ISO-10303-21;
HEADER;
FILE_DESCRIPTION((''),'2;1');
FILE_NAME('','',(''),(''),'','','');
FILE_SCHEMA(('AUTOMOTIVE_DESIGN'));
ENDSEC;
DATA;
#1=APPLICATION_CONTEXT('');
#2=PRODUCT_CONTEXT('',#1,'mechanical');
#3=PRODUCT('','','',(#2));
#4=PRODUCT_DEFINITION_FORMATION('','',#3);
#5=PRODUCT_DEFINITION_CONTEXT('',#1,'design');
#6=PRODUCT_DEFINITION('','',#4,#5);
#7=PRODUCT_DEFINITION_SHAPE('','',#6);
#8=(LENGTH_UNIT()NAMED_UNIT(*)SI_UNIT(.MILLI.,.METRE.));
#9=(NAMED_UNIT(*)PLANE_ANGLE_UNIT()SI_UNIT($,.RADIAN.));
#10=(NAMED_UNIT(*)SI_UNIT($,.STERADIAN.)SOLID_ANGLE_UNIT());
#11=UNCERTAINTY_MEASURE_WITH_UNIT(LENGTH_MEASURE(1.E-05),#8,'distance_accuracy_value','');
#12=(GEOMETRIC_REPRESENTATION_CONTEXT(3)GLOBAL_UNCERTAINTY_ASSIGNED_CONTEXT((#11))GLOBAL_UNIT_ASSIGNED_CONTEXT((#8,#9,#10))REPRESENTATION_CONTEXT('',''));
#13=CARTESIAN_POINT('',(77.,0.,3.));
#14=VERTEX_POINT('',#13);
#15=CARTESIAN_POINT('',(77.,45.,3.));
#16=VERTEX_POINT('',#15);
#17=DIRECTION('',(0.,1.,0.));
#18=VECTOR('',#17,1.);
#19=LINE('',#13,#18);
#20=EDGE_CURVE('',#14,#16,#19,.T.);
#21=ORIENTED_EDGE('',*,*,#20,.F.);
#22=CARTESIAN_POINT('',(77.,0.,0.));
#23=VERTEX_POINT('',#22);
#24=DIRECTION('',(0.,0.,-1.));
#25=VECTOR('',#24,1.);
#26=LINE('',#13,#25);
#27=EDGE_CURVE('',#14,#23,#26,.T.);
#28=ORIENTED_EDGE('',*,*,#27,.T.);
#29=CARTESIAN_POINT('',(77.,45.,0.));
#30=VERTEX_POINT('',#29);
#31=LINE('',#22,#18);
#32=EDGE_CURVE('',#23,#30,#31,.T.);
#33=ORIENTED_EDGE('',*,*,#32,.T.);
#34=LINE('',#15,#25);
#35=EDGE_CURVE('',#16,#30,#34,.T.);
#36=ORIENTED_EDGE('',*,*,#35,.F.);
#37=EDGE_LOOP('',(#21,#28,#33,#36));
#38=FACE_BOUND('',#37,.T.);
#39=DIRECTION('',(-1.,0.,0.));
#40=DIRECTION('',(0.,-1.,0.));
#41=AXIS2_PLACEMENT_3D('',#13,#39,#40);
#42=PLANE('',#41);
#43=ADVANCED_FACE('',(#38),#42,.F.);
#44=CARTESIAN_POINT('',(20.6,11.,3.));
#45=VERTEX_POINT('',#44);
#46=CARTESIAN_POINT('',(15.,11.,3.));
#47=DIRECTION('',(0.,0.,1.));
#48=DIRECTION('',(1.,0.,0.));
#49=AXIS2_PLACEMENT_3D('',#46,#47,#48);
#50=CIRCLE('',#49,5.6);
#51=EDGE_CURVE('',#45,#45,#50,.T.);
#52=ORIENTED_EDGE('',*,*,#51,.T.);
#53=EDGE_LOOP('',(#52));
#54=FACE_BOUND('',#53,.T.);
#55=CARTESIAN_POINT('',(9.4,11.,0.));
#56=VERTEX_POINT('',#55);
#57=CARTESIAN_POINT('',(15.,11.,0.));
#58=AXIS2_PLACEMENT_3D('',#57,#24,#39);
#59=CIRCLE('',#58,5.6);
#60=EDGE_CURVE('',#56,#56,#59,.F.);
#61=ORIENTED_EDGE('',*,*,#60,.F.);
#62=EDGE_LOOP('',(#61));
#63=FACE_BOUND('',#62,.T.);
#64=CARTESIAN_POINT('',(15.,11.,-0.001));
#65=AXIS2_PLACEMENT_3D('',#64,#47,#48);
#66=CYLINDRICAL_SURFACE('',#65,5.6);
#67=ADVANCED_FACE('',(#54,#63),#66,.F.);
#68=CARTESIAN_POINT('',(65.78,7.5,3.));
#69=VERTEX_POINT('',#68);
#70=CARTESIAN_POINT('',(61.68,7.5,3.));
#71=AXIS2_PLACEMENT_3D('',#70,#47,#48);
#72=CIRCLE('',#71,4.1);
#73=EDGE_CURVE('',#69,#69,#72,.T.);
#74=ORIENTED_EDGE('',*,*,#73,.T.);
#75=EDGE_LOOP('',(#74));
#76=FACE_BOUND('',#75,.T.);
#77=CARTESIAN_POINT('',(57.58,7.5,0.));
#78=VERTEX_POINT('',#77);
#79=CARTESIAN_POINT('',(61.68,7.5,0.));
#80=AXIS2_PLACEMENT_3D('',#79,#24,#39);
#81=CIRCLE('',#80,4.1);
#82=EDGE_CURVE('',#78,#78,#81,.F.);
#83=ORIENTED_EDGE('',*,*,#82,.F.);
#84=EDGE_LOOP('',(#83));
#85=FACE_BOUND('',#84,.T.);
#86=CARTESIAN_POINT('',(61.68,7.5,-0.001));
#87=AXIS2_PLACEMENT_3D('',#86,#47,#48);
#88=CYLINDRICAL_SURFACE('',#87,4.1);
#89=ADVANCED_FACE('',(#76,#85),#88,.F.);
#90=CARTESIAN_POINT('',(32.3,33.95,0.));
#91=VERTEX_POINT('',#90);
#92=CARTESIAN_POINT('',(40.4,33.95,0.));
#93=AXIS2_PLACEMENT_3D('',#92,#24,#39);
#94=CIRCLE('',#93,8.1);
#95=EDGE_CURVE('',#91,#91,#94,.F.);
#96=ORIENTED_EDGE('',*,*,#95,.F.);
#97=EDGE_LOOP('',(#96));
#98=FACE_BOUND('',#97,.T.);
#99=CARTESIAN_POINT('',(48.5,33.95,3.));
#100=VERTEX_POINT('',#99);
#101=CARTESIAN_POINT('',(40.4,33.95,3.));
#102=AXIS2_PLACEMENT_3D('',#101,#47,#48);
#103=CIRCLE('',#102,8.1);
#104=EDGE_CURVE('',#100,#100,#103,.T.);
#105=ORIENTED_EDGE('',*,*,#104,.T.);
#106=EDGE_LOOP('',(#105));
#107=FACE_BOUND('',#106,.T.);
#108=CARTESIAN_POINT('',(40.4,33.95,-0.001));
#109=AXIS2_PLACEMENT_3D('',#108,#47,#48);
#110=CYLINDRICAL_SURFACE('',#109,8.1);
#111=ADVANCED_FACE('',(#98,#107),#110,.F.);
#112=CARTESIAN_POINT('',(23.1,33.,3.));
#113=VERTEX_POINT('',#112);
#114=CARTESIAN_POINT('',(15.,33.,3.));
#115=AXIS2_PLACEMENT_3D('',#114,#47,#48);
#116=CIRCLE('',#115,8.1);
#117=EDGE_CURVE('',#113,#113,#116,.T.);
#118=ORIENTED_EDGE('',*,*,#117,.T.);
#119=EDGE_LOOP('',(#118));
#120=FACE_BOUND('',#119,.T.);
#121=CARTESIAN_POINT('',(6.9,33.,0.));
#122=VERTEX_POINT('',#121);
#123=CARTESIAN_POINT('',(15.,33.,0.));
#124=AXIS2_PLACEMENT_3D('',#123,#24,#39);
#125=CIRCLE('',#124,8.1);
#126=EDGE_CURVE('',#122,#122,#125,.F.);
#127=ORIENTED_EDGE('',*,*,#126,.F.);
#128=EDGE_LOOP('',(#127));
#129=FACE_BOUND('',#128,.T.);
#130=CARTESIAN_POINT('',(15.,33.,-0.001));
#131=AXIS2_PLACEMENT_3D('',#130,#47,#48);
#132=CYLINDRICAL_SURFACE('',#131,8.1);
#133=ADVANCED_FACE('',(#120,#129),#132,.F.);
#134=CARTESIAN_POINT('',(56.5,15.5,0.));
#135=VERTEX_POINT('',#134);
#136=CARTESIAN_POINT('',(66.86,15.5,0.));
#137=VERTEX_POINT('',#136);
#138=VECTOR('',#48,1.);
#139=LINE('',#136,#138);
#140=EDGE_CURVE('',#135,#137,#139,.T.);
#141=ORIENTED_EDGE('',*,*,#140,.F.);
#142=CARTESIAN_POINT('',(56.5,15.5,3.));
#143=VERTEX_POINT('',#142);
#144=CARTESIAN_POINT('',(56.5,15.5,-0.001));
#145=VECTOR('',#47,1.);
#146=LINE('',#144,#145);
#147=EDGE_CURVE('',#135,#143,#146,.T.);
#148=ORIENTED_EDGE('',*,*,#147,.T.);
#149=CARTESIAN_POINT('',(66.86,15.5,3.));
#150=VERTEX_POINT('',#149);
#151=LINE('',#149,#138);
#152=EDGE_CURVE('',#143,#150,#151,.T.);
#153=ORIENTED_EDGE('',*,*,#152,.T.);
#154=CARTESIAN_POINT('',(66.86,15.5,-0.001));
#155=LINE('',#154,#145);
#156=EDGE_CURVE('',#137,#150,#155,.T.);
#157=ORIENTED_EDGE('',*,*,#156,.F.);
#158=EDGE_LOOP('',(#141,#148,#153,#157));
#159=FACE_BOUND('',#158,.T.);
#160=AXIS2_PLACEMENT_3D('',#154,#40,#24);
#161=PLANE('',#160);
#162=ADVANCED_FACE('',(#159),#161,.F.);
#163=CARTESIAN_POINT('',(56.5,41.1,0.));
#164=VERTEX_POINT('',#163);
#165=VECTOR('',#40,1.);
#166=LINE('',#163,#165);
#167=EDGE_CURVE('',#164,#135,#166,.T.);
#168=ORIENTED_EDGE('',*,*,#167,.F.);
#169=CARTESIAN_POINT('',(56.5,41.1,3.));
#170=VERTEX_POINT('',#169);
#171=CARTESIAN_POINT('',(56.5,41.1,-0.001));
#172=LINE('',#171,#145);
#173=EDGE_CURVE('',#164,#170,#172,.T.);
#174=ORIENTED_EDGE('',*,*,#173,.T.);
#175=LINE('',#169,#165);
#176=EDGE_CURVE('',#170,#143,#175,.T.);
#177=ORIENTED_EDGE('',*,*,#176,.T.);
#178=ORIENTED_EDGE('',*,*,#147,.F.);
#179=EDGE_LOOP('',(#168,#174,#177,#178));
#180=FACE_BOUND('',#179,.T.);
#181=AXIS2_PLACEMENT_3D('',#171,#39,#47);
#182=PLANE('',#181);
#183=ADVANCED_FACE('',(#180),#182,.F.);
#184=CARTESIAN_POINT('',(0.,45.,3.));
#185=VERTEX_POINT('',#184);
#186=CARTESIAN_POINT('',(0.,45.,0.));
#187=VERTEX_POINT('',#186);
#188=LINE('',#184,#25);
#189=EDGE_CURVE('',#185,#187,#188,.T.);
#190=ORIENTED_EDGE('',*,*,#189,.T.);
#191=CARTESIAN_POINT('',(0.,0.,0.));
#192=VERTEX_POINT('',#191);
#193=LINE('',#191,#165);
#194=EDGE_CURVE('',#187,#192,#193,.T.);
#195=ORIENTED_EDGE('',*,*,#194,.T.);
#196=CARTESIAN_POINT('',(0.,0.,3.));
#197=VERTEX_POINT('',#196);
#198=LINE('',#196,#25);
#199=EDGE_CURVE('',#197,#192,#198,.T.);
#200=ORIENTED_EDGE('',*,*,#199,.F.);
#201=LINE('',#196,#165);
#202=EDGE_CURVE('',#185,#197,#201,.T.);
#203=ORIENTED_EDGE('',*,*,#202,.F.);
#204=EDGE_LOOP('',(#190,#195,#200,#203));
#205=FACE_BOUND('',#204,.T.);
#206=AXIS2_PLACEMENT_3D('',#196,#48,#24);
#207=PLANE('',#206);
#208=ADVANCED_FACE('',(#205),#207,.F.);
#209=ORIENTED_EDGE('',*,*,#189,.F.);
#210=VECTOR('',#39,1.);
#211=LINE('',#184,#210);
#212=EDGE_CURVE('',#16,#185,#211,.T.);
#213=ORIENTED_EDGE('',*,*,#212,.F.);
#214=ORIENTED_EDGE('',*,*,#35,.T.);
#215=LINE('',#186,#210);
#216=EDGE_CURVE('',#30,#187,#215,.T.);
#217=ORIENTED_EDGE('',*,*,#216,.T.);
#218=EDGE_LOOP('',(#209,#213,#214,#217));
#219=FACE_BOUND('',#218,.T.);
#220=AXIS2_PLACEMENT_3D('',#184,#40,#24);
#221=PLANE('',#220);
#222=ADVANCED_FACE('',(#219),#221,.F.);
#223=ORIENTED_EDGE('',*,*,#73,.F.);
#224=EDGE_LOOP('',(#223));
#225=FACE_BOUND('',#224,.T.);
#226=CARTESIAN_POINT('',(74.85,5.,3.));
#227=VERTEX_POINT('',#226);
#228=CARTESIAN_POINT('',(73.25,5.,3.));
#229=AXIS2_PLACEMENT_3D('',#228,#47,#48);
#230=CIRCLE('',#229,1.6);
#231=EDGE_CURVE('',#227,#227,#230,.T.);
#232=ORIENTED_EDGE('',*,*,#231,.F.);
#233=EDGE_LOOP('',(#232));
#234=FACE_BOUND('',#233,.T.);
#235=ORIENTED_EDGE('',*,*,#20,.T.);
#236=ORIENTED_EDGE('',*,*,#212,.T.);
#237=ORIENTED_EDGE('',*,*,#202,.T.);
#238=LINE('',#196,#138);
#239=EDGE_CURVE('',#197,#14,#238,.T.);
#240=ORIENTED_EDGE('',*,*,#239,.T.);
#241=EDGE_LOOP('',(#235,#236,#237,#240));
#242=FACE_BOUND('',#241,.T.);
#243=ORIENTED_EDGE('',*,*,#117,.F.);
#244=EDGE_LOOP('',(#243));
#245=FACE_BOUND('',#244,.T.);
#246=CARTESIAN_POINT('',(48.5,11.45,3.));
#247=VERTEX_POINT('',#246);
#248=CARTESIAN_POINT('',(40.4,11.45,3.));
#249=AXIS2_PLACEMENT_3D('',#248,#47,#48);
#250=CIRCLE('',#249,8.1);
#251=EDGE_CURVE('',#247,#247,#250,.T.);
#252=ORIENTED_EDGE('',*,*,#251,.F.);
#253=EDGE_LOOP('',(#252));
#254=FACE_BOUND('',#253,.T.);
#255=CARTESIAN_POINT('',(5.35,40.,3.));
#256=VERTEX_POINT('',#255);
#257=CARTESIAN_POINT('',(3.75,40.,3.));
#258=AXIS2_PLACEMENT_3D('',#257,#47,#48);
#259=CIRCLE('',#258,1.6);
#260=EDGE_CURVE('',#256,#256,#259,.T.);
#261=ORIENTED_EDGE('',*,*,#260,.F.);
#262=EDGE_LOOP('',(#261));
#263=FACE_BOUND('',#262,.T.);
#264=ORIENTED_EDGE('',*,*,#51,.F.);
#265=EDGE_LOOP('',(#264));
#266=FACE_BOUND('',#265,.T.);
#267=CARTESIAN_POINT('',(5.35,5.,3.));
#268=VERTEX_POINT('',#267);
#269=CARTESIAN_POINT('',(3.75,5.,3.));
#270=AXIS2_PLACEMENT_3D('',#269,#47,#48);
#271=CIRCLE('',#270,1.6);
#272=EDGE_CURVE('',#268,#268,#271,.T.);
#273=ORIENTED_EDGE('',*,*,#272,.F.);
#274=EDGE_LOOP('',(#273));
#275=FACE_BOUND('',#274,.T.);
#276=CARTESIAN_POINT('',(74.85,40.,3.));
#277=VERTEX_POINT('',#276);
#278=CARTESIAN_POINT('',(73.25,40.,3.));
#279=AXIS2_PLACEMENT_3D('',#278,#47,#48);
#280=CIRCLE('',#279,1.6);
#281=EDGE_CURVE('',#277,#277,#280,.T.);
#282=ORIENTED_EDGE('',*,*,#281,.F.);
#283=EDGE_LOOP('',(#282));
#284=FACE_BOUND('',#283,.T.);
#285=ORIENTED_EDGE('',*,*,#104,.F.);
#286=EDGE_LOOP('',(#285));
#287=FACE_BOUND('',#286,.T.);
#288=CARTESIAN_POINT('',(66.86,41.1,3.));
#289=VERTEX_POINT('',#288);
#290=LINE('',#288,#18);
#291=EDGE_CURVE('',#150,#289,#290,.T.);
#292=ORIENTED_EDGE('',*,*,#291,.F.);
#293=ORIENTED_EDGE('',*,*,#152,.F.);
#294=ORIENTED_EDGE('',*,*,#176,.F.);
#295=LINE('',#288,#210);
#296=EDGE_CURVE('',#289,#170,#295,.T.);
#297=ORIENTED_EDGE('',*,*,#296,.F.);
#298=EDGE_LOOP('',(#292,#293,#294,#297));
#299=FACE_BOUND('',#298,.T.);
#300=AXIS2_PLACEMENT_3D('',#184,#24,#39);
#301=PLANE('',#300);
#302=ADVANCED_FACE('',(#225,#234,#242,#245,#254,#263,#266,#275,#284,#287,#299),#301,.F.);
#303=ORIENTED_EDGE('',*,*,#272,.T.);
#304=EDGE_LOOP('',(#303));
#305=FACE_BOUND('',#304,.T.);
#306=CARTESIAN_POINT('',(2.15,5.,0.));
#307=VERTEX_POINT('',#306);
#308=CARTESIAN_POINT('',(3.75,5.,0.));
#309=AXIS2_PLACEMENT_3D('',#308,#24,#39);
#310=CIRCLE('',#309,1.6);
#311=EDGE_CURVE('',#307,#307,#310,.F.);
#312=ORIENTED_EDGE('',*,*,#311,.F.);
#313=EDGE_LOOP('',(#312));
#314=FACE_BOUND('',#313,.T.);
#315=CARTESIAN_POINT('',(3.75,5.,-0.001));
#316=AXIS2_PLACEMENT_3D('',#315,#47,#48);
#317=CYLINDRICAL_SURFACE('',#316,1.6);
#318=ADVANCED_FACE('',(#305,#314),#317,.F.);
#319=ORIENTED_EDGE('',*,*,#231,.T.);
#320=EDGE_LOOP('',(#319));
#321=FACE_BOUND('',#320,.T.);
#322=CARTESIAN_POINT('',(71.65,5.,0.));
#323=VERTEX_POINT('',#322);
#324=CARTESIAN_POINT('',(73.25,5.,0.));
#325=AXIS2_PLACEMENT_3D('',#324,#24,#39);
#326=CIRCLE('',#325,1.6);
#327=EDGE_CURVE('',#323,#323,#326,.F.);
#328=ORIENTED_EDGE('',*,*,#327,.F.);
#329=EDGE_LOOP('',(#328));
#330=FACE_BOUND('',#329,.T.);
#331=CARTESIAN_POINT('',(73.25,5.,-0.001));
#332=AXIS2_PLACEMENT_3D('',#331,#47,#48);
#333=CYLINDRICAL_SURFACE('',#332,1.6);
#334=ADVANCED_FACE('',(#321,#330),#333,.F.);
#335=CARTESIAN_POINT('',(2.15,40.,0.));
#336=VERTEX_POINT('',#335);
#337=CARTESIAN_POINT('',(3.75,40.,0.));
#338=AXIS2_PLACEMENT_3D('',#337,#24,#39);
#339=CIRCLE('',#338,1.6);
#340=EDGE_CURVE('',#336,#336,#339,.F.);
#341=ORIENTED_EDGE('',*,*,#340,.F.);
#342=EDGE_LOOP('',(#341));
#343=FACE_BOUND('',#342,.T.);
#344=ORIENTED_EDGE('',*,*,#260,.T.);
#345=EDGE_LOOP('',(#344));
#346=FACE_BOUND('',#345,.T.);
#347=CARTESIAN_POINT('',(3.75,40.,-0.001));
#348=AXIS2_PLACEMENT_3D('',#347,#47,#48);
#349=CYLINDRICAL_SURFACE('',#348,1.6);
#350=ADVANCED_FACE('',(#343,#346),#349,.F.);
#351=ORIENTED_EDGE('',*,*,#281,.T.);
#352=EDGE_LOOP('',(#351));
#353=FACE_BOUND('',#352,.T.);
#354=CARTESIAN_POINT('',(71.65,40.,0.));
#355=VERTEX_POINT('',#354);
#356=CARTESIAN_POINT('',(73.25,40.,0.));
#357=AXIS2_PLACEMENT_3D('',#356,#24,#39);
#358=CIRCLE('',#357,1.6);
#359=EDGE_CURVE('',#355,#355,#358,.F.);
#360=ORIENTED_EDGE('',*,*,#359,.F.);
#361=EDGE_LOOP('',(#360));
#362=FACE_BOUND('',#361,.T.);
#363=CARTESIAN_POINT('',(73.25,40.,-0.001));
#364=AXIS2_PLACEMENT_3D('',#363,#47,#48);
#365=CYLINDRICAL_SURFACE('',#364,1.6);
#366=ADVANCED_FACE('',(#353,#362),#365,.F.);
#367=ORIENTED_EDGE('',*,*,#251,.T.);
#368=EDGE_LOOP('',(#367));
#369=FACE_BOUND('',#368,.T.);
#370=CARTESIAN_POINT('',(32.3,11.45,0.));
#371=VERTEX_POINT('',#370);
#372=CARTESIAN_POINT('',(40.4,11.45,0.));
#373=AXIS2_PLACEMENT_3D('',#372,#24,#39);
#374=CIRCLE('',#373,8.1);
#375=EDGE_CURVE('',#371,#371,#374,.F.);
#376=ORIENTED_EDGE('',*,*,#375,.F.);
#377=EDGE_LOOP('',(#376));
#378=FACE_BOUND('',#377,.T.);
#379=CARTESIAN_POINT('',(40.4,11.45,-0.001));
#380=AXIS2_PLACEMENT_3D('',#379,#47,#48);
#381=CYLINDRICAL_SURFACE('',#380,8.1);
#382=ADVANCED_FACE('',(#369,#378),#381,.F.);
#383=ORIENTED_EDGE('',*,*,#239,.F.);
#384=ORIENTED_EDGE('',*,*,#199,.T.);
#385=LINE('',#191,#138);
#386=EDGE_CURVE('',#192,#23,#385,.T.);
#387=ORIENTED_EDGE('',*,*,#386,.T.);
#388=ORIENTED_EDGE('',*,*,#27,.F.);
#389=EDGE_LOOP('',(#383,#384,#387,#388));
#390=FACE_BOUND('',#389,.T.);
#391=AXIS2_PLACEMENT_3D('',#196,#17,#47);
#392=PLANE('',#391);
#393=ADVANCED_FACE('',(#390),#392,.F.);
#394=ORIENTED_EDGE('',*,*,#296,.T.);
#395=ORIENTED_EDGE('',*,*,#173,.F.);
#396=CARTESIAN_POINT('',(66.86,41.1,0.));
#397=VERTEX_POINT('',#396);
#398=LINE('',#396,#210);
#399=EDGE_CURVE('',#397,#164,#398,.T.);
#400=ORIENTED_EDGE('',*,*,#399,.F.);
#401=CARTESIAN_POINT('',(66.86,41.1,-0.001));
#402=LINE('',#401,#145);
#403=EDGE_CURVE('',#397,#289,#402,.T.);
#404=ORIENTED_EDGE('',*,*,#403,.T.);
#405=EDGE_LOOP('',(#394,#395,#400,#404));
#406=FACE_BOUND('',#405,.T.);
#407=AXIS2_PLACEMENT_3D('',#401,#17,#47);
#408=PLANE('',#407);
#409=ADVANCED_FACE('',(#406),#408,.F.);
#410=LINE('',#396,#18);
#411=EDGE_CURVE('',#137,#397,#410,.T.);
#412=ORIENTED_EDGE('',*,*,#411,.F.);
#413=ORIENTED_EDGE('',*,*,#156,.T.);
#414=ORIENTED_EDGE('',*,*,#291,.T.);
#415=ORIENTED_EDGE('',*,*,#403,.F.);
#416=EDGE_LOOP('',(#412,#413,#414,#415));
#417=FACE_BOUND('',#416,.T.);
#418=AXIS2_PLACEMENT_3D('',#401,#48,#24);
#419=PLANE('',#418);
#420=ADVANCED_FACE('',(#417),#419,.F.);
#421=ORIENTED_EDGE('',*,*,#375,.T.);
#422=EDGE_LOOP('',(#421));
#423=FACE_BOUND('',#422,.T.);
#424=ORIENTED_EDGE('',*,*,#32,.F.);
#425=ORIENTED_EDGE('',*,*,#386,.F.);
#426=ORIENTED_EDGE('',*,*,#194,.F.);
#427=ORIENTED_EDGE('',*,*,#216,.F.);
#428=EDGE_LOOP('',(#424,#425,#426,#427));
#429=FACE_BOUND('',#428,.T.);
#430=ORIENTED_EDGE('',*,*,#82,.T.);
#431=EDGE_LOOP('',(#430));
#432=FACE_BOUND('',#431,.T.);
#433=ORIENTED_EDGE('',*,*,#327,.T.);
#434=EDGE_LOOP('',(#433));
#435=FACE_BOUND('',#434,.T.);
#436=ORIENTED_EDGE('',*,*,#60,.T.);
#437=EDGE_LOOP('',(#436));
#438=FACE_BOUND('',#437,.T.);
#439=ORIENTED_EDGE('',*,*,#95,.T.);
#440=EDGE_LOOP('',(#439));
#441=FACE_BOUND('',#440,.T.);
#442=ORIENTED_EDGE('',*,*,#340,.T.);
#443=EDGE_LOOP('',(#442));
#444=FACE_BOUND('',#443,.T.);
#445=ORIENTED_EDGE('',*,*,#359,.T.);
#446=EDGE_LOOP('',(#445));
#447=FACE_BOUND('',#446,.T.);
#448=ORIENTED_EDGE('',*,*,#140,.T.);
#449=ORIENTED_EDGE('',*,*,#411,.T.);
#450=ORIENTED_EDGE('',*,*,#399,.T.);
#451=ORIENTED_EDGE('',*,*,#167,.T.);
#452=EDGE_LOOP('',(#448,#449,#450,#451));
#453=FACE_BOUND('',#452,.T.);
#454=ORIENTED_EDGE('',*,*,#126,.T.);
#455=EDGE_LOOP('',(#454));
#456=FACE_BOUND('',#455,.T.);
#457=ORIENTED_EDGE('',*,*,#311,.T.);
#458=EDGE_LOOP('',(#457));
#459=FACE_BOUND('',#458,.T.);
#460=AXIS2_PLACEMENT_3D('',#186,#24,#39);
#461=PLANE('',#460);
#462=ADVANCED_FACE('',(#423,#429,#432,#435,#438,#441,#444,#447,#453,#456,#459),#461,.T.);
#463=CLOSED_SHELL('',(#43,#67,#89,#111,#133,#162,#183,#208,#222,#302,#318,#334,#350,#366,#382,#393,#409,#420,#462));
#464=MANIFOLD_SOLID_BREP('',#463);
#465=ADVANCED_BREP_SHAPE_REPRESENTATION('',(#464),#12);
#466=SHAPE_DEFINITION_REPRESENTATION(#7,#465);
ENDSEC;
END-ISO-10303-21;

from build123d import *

# Parameters (mm, degrees)
CROQUIS1_W              = 77
CROQUIS1_H              = 45
SALIENTE_EXTRUIR1_DEPTH = 3
CORTAR_EXTRUIR1_REACH   = 5
CROQUIS2_R              = 8.1
CROQUIS2_R_2            = 5.6
CROQUIS2_R_3            = 4.1
CROQUIS2_R_4            = 1.6
CROQUIS2_W              = 10.36
CROQUIS2_H              = 25.6


with BuildPart() as part:
    # Croquis1 → Saliente-Extruir1 (new body)
    with BuildSketch(Plane.XY):
        with Locations((38.5, 22.5)):
            Rectangle(CROQUIS1_W, CROQUIS1_H)
    extrude(amount=SALIENTE_EXTRUIR1_DEPTH)

    # Croquis2 → Cortar-Extruir1 (cut, up to next)
    with BuildSketch(Plane.XY.offset(3), mode=Mode.PRIVATE) as cortar_extruir1_sk1:
        with Locations((15, 33)):
            Circle(CROQUIS2_R)
    cortar_extruir1_tool1 = extrude(cortar_extruir1_sk1.sketch, amount=-CORTAR_EXTRUIR1_REACH, mode=Mode.PRIVATE) & part.part
    add(cortar_extruir1_tool1.solids().sort_by_distance((15, 33, 3))[0], mode=Mode.SUBTRACT)
    # Croquis2 → Cortar-Extruir1 (cut, up to next)
    with BuildSketch(Plane.XY.offset(3), mode=Mode.PRIVATE) as cortar_extruir1_sk2:
        with Locations((15, 11)):
            Circle(CROQUIS2_R_2)
    cortar_extruir1_tool2 = extrude(cortar_extruir1_sk2.sketch, amount=-CORTAR_EXTRUIR1_REACH, mode=Mode.PRIVATE) & part.part
    add(cortar_extruir1_tool2.solids().sort_by_distance((15, 11, 3))[0], mode=Mode.SUBTRACT)
    # Croquis2 → Cortar-Extruir1 (cut, up to next)
    with BuildSketch(Plane.XY.offset(3), mode=Mode.PRIVATE) as cortar_extruir1_sk3:
        with Locations((61.68, 7.5)):
            Circle(CROQUIS2_R_3)
    cortar_extruir1_tool3 = extrude(cortar_extruir1_sk3.sketch, amount=-CORTAR_EXTRUIR1_REACH, mode=Mode.PRIVATE) & part.part
    add(cortar_extruir1_tool3.solids().sort_by_distance((61.68, 7.5, 3))[0], mode=Mode.SUBTRACT)
    # Croquis2 → Cortar-Extruir1 (cut, up to next)
    with BuildSketch(Plane.XY.offset(3), mode=Mode.PRIVATE) as cortar_extruir1_sk4:
        with Locations((40.4, 33.95)):
            Circle(CROQUIS2_R)
    cortar_extruir1_tool4 = extrude(cortar_extruir1_sk4.sketch, amount=-CORTAR_EXTRUIR1_REACH, mode=Mode.PRIVATE) & part.part
    add(cortar_extruir1_tool4.solids().sort_by_distance((40.4, 33.95, 3))[0], mode=Mode.SUBTRACT)
    # Croquis2 → Cortar-Extruir1 (cut, up to next)
    with BuildSketch(Plane.XY.offset(3), mode=Mode.PRIVATE) as cortar_extruir1_sk5:
        with Locations((40.4, 11.45)):
            Circle(CROQUIS2_R)
    cortar_extruir1_tool5 = extrude(cortar_extruir1_sk5.sketch, amount=-CORTAR_EXTRUIR1_REACH, mode=Mode.PRIVATE) & part.part
    add(cortar_extruir1_tool5.solids().sort_by_distance((40.4, 11.45, 3))[0], mode=Mode.SUBTRACT)
    # Croquis2 → Cortar-Extruir1 (cut, up to next)
    with BuildSketch(Plane.XY.offset(3), mode=Mode.PRIVATE) as cortar_extruir1_sk6:
        with Locations((73.25, 40)):
            Circle(CROQUIS2_R_4)
    cortar_extruir1_tool6 = extrude(cortar_extruir1_sk6.sketch, amount=-CORTAR_EXTRUIR1_REACH, mode=Mode.PRIVATE) & part.part
    add(cortar_extruir1_tool6.solids().sort_by_distance((73.25, 40, 3))[0], mode=Mode.SUBTRACT)
    # Croquis2 → Cortar-Extruir1 (cut, up to next)
    with BuildSketch(Plane.XY.offset(3), mode=Mode.PRIVATE) as cortar_extruir1_sk7:
        with Locations((73.25, 5)):
            Circle(CROQUIS2_R_4)
    cortar_extruir1_tool7 = extrude(cortar_extruir1_sk7.sketch, amount=-CORTAR_EXTRUIR1_REACH, mode=Mode.PRIVATE) & part.part
    add(cortar_extruir1_tool7.solids().sort_by_distance((73.25, 5, 3))[0], mode=Mode.SUBTRACT)
    # Croquis2 → Cortar-Extruir1 (cut, up to next)
    with BuildSketch(Plane.XY.offset(3), mode=Mode.PRIVATE) as cortar_extruir1_sk8:
        with Locations((3.75, 5)):
            Circle(CROQUIS2_R_4)
    cortar_extruir1_tool8 = extrude(cortar_extruir1_sk8.sketch, amount=-CORTAR_EXTRUIR1_REACH, mode=Mode.PRIVATE) & part.part
    add(cortar_extruir1_tool8.solids().sort_by_distance((3.75, 5, 3))[0], mode=Mode.SUBTRACT)
    # Croquis2 → Cortar-Extruir1 (cut, up to next)
    with BuildSketch(Plane.XY.offset(3), mode=Mode.PRIVATE) as cortar_extruir1_sk9:
        with Locations((3.75, 40)):
            Circle(CROQUIS2_R_4)
    cortar_extruir1_tool9 = extrude(cortar_extruir1_sk9.sketch, amount=-CORTAR_EXTRUIR1_REACH, mode=Mode.PRIVATE) & part.part
    add(cortar_extruir1_tool9.solids().sort_by_distance((3.75, 40, 3))[0], mode=Mode.SUBTRACT)
    # Croquis2 → Cortar-Extruir1 (cut, up to next)
    with BuildSketch(Plane.XY.offset(3), mode=Mode.PRIVATE) as cortar_extruir1_sk10:
        with Locations((61.68, 28.3)):
            Rectangle(CROQUIS2_W, CROQUIS2_H)
    cortar_extruir1_tool10 = extrude(cortar_extruir1_sk10.sketch, amount=-CORTAR_EXTRUIR1_REACH, mode=Mode.PRIVATE) & part.part
    add(cortar_extruir1_tool10.solids().sort_by_distance((61.68, 28.3, 3))[0], mode=Mode.SUBTRACT)


solid = part.part
